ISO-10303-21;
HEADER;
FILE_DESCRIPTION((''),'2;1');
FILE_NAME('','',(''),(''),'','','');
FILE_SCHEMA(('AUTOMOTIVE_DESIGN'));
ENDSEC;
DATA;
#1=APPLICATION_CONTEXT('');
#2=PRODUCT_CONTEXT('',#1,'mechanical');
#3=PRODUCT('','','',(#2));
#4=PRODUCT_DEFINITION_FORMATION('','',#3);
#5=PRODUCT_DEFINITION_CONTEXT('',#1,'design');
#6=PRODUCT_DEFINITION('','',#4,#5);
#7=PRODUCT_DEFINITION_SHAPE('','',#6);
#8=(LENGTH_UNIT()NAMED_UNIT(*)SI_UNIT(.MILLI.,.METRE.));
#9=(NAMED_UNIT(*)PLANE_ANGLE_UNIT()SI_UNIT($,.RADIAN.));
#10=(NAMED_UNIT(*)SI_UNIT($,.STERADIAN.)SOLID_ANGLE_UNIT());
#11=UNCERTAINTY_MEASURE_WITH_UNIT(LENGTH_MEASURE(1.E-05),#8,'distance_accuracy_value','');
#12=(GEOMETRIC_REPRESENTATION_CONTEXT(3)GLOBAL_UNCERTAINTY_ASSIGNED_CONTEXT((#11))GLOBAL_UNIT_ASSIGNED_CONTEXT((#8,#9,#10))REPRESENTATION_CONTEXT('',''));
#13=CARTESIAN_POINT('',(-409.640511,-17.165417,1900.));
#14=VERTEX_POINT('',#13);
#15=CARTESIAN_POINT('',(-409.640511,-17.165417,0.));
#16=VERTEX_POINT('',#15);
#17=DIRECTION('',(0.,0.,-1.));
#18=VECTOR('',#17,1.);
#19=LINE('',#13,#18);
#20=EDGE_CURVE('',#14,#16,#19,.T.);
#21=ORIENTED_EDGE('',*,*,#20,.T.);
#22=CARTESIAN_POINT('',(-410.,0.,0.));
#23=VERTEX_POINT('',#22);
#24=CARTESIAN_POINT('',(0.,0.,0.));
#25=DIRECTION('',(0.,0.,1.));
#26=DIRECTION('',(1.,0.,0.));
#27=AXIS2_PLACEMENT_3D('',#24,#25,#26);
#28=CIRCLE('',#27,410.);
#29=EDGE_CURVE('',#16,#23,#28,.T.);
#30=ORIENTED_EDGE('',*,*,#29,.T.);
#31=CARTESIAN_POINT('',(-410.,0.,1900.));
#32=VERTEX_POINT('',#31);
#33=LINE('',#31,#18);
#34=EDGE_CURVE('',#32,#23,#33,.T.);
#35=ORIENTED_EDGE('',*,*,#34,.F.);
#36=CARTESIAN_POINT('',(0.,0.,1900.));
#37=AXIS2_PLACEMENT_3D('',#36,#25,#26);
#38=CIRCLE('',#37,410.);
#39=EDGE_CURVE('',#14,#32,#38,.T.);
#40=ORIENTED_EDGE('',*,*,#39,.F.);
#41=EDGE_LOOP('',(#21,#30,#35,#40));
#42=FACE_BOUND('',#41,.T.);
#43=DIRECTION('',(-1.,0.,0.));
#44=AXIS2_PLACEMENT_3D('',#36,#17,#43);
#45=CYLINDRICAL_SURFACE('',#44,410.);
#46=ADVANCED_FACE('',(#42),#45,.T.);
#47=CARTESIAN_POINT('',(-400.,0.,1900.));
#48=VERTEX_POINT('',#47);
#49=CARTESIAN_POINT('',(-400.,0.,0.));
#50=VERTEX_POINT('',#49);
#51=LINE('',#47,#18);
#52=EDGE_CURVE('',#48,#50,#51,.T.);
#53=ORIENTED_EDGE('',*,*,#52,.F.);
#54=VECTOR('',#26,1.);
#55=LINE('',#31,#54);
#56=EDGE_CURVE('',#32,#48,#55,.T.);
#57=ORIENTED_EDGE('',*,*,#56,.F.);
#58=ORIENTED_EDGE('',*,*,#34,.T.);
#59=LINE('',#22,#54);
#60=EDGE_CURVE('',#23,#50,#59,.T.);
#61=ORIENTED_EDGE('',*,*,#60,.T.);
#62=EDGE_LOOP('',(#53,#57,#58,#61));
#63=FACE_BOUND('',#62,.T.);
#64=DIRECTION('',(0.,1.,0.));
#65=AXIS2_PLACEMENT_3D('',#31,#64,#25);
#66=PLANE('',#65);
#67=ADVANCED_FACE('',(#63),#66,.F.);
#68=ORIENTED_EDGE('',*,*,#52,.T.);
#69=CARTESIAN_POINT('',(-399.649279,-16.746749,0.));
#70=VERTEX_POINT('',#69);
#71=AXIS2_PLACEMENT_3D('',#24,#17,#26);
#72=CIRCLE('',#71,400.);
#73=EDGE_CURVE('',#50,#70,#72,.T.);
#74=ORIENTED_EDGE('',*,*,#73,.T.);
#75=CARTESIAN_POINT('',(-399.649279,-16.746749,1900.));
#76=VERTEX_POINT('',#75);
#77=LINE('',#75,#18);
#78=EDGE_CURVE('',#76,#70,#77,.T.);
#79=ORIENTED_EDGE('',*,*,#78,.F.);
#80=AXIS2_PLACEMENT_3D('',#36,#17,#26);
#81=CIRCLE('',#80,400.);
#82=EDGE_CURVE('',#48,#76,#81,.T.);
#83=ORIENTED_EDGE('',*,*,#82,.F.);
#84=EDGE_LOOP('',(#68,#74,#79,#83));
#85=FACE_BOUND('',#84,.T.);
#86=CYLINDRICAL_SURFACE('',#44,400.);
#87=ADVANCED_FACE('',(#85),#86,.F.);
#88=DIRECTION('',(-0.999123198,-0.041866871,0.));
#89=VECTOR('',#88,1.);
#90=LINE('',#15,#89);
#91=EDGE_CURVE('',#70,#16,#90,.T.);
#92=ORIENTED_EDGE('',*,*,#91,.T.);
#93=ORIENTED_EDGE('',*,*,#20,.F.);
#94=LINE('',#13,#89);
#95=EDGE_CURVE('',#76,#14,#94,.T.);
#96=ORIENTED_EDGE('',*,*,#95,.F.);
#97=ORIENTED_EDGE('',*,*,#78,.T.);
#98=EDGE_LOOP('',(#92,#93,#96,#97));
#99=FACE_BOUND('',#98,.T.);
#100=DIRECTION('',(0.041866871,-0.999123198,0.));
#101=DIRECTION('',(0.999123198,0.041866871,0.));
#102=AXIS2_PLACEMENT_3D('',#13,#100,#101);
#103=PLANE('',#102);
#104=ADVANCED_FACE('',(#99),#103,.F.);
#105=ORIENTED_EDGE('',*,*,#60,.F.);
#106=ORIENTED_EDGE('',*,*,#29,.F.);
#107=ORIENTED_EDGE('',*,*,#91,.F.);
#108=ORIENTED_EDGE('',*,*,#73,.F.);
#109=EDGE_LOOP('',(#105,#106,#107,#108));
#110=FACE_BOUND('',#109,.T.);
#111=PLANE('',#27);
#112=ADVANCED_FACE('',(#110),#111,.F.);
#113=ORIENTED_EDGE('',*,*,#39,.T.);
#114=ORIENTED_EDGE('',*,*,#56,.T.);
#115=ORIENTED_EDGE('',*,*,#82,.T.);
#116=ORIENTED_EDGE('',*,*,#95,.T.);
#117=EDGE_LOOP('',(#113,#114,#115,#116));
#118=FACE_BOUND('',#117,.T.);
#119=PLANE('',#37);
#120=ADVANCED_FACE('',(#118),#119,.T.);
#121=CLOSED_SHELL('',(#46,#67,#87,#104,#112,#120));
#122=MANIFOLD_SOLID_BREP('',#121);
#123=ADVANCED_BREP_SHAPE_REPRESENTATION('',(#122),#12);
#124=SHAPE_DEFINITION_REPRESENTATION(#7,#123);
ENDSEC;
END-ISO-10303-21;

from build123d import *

# Parameters (mm, degrees)
BOSS_EXTRUDE1_DEPTH = 1900


with BuildPart() as part:
    # Sketch1 → Boss-Extrude1 (new body)
    with BuildSketch(Plane.XY):
        with BuildLine():
            Line((-410, 0), (-400, 0))
            ThreePointArc((-400, 0), (399.912310203, 8.375210313), (-399.649279261, -16.746748524))
            Line((-399.649279261, -16.746748524), (-409.640511243, -17.165417237))
            ThreePointArc((-409.640511243, -17.165417237), (409.910117958, 8.584590571), (-410, 0))
        make_face()
    extrude(amount=BOSS_EXTRUDE1_DEPTH)


solid = part.part
